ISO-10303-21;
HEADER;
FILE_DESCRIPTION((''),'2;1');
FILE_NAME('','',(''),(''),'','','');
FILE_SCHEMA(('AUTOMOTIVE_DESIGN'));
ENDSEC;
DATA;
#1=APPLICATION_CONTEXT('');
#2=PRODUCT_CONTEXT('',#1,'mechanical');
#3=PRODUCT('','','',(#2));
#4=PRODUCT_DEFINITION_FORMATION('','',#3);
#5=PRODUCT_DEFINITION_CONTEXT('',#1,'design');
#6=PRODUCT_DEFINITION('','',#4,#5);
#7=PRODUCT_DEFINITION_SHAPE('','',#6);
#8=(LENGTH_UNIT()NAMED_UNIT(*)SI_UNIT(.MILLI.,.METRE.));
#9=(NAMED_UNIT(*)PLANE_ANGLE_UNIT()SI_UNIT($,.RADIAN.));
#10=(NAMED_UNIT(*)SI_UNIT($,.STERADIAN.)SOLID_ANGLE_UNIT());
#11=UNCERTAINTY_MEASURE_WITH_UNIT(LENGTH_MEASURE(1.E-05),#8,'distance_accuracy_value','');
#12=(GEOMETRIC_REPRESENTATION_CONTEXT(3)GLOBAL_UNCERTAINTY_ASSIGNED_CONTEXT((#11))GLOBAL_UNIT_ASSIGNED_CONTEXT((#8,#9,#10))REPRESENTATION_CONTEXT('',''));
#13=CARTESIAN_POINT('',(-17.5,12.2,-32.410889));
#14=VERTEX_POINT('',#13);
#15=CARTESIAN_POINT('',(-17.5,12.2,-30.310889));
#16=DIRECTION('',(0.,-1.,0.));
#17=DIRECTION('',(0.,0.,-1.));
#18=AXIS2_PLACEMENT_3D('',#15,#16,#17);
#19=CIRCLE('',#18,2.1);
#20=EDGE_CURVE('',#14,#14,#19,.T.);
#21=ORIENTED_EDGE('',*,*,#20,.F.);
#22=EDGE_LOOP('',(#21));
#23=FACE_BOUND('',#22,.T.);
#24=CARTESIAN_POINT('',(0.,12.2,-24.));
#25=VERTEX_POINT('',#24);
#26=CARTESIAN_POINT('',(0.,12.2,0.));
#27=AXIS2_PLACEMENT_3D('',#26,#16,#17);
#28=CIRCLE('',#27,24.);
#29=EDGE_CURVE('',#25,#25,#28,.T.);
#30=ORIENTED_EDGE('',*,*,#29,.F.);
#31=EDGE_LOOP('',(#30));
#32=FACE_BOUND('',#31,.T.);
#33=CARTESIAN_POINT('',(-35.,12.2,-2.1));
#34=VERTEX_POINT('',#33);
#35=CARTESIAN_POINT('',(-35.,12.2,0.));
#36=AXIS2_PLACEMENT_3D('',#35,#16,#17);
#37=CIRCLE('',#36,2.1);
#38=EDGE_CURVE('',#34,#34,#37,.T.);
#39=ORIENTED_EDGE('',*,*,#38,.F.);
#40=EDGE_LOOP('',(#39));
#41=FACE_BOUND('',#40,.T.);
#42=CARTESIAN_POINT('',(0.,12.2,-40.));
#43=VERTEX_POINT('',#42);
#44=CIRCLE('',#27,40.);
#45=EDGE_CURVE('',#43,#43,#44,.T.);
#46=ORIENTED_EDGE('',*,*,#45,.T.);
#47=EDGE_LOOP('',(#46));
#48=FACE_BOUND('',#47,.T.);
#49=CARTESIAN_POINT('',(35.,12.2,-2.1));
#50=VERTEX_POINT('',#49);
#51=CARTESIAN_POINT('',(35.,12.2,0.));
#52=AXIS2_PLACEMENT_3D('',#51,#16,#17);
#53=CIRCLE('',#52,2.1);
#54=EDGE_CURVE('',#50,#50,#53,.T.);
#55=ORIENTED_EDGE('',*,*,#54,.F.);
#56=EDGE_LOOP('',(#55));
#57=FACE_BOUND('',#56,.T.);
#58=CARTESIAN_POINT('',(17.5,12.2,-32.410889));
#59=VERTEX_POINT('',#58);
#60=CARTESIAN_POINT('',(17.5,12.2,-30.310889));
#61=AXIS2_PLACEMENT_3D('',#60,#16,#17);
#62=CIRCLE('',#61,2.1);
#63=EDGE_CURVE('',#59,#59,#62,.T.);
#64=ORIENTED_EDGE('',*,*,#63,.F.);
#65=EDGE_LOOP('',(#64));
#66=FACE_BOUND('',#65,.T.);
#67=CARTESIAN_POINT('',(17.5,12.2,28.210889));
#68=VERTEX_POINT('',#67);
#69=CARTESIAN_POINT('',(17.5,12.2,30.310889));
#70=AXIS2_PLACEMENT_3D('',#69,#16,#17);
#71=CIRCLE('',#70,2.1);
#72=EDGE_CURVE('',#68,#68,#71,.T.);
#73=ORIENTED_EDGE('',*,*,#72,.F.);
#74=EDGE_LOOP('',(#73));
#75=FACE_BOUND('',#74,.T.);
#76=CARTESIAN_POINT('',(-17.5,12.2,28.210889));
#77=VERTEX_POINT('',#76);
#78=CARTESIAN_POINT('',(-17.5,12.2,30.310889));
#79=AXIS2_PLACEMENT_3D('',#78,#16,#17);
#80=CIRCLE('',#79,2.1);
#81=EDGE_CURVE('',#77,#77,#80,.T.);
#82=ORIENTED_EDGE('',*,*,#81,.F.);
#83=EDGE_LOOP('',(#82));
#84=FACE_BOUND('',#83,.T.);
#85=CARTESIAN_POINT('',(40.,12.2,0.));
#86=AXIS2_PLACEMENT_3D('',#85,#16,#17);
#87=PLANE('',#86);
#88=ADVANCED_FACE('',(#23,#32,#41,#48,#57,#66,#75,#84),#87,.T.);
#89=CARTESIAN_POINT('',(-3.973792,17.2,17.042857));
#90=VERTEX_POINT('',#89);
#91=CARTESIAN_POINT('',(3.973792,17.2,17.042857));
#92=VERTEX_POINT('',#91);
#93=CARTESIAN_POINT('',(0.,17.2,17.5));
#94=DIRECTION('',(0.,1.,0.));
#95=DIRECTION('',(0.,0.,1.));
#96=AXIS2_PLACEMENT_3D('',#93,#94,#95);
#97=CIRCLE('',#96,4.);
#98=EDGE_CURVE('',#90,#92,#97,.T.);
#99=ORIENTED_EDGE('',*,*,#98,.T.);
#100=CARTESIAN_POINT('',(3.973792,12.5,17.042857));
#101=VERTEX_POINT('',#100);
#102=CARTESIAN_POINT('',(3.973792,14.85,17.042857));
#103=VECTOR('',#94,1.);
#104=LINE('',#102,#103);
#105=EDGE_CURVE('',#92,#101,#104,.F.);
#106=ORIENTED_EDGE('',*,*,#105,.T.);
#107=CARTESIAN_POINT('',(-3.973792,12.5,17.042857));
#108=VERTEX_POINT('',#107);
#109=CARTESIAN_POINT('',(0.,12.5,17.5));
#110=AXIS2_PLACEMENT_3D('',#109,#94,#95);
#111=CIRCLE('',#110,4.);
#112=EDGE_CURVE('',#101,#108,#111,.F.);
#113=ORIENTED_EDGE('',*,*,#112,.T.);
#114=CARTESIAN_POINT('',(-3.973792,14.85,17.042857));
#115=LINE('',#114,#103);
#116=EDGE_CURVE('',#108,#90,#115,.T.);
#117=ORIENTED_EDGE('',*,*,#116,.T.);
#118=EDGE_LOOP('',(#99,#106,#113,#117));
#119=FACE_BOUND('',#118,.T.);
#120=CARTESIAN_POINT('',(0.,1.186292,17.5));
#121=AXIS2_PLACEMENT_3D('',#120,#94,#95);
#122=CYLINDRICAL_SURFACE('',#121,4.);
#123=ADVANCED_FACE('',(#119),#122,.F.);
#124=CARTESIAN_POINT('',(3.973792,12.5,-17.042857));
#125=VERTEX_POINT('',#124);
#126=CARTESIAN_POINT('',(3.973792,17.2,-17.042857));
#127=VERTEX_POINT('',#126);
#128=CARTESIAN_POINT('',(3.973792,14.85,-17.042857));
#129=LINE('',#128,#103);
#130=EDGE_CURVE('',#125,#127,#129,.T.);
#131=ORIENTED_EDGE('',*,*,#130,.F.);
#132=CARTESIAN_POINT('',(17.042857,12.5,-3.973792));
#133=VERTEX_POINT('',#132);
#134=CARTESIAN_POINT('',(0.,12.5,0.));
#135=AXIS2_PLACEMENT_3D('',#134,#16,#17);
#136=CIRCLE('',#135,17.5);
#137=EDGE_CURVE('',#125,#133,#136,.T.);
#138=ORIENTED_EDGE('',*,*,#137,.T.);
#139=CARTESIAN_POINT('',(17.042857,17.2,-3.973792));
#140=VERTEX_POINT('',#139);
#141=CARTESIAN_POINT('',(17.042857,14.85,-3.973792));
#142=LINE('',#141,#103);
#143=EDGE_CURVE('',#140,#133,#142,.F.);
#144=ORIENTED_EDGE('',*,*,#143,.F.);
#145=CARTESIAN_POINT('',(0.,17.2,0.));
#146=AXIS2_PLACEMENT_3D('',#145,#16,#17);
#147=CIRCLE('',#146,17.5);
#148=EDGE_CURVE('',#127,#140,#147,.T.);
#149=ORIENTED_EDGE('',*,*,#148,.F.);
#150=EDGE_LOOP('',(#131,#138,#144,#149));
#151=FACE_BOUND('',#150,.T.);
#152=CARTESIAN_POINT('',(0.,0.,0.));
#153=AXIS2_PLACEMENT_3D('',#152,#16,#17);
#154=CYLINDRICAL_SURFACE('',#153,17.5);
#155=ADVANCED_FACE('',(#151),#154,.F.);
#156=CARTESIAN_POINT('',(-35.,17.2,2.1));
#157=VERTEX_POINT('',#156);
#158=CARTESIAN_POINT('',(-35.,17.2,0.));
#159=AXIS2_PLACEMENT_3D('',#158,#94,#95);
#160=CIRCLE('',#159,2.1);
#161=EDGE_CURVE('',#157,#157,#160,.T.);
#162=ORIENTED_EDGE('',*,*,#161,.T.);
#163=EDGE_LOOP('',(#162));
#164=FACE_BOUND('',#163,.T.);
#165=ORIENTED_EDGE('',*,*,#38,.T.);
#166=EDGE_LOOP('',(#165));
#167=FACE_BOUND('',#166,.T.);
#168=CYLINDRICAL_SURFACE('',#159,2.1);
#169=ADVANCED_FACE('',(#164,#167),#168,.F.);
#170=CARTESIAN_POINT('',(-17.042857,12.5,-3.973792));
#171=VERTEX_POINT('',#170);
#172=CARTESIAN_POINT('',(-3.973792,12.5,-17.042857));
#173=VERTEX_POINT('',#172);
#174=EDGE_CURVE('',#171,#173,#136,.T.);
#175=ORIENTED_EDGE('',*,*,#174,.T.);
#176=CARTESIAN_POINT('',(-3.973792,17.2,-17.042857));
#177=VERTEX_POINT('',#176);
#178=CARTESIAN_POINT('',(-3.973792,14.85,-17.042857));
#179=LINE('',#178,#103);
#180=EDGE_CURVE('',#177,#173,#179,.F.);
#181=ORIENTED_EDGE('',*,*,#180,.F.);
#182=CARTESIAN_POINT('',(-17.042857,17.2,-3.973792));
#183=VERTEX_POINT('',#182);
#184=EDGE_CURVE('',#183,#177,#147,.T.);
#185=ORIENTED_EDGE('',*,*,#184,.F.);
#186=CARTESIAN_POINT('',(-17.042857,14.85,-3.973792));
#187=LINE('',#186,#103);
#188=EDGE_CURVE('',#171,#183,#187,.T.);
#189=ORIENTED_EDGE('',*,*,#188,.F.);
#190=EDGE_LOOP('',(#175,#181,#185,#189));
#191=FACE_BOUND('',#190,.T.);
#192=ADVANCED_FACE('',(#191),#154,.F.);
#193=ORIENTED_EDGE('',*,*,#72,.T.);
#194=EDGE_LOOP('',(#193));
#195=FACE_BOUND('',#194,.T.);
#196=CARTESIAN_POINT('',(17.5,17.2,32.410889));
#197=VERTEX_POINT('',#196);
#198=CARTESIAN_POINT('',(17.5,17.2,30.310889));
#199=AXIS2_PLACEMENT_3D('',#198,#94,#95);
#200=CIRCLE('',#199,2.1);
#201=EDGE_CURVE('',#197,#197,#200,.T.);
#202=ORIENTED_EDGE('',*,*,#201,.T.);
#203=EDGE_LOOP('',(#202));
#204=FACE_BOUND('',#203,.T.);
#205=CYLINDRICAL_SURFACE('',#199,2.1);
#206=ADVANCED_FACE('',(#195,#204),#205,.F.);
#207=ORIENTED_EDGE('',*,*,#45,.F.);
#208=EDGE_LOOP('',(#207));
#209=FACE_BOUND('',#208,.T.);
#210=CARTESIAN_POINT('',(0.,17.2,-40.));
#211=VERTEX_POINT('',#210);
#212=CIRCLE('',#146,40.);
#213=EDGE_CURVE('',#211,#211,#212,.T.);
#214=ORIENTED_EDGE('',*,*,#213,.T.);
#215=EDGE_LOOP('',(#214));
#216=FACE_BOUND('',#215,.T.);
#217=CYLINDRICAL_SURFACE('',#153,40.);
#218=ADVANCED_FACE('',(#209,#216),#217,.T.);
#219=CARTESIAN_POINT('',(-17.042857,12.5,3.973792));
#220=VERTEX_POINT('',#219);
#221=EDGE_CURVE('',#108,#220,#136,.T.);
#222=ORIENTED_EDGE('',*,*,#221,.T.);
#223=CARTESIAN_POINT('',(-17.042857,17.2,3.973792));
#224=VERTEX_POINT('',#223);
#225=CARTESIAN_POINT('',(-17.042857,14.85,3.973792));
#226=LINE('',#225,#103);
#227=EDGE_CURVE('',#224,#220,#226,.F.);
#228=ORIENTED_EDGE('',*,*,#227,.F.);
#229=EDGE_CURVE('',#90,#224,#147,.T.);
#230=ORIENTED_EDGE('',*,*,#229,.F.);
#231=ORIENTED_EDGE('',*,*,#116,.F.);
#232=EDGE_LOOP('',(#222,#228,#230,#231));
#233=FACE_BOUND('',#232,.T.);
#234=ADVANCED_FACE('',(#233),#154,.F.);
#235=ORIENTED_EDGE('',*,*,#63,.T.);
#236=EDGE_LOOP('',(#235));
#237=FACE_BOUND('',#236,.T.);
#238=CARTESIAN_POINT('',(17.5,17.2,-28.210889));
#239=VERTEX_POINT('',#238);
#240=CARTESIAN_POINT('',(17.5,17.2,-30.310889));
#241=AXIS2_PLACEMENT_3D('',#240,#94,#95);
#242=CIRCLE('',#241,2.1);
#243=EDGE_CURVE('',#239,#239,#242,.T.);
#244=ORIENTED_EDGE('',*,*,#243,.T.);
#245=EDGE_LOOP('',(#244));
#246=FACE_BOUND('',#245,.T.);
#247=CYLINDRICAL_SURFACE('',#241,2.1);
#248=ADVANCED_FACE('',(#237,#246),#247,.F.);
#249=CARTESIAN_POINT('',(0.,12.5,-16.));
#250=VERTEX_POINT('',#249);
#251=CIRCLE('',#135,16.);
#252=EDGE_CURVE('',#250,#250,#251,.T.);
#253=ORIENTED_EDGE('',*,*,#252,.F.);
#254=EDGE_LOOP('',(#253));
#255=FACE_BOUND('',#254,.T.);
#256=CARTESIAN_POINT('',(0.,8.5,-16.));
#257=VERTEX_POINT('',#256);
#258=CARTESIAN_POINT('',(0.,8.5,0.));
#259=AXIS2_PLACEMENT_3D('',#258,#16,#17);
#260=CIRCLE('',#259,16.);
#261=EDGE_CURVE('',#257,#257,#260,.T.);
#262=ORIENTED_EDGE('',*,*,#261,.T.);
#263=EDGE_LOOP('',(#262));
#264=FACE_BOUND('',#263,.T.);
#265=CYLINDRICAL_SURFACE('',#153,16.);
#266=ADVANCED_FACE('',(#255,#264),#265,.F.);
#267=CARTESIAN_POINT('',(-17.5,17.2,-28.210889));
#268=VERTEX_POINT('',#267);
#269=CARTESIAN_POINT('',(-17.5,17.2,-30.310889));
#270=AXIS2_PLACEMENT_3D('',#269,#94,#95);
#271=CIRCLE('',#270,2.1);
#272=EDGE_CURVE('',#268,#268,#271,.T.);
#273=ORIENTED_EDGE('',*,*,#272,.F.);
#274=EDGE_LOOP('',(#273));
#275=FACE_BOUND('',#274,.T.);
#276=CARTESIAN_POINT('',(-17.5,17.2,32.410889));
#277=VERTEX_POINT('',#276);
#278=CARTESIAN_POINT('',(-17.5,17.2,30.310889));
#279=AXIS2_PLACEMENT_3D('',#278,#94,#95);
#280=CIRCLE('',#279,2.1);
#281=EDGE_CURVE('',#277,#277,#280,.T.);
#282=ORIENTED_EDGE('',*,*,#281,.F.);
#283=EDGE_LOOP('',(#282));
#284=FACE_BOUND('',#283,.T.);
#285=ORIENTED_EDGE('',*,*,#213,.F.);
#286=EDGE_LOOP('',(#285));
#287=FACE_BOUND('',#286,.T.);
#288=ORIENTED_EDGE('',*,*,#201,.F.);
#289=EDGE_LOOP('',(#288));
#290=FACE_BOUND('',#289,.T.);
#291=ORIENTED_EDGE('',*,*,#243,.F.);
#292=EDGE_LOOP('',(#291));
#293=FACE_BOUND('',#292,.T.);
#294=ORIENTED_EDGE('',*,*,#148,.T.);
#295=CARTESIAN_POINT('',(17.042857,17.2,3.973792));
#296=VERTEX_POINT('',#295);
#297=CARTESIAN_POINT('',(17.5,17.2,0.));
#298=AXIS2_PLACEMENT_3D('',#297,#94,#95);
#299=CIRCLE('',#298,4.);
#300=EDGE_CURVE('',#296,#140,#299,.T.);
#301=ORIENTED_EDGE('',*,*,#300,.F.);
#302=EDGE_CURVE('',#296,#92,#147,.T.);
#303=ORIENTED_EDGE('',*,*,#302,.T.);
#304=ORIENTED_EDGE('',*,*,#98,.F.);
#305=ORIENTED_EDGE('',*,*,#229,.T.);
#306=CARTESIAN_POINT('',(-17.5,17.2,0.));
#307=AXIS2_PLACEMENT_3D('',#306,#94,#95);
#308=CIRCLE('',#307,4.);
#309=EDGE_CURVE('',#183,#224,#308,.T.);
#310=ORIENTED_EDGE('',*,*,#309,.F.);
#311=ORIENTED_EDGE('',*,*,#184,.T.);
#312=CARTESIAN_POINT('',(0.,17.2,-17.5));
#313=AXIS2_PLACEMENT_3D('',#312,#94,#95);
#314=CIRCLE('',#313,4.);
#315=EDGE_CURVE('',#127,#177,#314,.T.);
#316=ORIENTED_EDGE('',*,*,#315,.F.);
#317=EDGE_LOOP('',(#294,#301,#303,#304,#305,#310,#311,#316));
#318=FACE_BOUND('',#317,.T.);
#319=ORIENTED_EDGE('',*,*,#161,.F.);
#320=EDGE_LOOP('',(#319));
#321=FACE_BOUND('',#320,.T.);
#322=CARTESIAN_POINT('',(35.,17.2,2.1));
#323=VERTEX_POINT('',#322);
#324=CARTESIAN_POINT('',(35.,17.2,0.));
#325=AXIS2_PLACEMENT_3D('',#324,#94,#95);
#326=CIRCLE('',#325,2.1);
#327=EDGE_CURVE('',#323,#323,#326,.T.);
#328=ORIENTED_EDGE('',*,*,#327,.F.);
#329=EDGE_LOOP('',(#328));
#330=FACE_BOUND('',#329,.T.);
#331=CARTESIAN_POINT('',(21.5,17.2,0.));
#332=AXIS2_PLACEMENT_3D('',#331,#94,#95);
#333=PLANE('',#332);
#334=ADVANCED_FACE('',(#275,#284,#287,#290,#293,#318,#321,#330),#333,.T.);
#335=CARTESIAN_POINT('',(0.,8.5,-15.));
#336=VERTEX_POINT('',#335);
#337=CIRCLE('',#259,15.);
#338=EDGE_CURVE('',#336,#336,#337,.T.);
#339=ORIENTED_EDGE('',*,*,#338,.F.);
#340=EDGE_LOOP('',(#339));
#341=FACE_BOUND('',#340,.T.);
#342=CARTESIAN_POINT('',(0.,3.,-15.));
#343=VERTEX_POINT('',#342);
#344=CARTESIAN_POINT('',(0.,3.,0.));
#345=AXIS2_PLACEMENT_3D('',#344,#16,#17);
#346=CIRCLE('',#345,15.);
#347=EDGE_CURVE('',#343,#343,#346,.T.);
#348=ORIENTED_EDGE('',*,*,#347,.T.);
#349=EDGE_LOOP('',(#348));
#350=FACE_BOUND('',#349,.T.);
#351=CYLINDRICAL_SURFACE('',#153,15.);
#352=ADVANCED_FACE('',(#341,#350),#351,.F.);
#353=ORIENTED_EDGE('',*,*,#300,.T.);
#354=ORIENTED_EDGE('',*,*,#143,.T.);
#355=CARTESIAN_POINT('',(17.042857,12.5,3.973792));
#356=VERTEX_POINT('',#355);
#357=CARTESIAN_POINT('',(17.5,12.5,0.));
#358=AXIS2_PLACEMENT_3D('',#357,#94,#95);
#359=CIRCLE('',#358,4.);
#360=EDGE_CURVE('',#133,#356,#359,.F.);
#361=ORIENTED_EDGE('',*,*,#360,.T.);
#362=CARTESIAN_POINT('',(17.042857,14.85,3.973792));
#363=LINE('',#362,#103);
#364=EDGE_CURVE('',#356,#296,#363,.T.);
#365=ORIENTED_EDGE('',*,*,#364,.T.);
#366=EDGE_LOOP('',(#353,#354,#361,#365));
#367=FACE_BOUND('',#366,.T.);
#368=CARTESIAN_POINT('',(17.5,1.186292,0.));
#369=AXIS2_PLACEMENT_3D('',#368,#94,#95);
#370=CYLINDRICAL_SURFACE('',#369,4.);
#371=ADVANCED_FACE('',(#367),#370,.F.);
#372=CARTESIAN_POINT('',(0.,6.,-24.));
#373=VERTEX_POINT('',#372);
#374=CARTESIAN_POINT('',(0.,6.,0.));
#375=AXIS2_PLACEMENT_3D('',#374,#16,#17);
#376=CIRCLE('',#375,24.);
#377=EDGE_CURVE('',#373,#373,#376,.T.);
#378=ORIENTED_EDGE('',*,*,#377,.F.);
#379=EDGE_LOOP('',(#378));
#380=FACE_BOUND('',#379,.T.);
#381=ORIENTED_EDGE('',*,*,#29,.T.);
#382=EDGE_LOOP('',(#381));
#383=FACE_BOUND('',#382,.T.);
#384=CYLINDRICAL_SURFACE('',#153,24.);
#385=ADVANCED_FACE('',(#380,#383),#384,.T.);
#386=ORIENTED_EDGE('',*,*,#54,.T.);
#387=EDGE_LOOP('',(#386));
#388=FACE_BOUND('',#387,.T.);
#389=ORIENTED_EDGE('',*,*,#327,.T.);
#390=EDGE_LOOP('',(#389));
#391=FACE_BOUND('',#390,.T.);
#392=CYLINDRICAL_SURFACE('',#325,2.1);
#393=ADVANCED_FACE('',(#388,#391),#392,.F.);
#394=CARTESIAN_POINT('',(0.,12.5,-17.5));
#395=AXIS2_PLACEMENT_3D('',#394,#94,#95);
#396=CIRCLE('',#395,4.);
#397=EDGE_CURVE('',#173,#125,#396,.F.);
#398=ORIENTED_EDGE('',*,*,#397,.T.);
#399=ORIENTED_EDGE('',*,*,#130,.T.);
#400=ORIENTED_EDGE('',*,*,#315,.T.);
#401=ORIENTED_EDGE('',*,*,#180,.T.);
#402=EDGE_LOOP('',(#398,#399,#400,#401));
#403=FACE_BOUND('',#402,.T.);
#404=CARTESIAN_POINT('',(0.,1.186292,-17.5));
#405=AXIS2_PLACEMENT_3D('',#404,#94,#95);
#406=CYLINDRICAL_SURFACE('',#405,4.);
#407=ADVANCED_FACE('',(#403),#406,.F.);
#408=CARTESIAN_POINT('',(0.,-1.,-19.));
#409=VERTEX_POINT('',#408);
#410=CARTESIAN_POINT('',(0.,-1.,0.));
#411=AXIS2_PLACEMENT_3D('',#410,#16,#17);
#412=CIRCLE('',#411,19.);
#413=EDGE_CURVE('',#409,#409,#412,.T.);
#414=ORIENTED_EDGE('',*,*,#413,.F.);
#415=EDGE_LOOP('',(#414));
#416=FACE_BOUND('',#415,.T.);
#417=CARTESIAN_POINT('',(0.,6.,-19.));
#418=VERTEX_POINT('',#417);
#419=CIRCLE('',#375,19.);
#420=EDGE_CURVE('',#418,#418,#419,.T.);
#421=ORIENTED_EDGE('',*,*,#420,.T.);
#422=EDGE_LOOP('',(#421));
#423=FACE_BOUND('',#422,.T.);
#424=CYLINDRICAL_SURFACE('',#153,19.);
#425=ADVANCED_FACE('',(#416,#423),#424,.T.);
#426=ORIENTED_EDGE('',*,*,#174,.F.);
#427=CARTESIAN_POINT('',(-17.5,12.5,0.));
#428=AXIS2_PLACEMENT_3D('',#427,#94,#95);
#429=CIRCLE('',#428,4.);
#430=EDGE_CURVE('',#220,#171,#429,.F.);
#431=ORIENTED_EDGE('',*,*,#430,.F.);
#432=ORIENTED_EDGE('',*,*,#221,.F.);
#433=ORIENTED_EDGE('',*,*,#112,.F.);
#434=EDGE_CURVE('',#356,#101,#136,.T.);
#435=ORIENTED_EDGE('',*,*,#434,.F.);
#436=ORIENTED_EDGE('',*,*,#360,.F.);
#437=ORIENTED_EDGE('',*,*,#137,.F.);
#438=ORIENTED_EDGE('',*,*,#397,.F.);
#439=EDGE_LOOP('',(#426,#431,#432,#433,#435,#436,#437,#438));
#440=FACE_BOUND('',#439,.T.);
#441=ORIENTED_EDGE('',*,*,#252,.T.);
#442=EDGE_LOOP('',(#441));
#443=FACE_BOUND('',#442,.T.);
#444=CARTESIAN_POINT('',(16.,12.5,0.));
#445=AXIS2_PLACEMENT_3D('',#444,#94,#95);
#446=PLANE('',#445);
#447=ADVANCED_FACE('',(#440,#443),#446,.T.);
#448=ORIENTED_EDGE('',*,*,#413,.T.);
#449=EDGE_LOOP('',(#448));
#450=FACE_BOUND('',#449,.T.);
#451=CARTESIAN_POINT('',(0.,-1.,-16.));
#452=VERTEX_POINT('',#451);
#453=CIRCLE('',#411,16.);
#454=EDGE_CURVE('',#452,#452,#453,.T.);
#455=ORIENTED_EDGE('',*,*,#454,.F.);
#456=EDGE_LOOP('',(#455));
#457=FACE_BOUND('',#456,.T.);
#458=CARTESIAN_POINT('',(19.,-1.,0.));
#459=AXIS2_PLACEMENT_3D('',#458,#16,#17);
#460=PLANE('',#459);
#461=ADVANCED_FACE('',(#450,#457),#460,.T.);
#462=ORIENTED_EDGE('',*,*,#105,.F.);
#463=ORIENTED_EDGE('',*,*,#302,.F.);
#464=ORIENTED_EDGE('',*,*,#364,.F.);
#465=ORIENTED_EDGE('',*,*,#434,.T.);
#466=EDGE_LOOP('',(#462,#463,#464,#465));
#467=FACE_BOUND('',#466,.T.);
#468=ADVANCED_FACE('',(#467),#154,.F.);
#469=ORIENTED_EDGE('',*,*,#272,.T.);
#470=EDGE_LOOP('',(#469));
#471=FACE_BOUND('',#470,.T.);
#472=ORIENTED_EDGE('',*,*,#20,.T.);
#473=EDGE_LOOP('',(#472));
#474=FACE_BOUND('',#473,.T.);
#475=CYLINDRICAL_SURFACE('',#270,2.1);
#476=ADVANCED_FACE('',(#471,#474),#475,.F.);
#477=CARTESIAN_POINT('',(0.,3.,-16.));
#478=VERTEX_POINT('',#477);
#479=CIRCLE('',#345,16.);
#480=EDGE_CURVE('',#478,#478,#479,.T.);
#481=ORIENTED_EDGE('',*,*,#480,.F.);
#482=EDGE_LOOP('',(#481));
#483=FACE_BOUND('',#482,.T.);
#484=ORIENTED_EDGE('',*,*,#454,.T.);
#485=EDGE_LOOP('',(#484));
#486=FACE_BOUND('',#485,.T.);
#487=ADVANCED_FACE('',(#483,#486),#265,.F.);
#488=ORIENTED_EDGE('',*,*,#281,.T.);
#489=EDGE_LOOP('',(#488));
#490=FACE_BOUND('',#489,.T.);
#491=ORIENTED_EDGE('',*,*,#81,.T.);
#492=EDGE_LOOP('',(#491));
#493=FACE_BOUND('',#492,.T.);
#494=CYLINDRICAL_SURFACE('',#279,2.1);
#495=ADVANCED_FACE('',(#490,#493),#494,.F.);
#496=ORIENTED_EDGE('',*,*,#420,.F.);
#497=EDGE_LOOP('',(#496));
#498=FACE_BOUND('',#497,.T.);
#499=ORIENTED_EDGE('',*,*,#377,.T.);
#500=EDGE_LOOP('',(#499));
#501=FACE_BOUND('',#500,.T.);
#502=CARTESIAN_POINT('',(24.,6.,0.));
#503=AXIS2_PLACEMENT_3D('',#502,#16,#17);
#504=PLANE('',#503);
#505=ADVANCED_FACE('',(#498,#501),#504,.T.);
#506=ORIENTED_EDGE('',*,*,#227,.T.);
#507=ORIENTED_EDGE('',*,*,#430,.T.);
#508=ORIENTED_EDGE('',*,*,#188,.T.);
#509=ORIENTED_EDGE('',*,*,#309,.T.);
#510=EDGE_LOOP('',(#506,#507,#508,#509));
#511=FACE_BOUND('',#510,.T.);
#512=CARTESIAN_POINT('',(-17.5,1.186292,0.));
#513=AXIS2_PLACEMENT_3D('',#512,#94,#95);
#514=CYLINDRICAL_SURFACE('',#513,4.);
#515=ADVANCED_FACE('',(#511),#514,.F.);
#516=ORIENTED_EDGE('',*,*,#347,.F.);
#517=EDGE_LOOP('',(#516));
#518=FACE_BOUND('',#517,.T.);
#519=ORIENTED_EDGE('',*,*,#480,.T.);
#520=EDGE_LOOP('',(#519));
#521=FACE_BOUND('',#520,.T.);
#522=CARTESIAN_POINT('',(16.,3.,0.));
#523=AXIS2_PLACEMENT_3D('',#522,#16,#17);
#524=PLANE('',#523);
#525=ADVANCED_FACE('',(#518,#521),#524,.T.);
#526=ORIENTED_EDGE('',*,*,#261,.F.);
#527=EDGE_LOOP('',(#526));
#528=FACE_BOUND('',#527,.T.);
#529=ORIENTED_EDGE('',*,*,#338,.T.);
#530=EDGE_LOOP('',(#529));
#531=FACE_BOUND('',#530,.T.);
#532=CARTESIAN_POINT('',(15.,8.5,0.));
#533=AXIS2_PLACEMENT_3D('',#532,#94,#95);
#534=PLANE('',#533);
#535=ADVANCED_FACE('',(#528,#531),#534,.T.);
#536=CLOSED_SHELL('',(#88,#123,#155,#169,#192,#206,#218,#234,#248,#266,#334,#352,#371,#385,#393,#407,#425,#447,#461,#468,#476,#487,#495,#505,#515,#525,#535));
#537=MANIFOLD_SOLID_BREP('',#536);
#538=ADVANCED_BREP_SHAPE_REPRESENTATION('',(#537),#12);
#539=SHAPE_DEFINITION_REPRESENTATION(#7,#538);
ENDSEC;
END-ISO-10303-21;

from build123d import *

# Parameters (mm, degrees)
SKETCH_4_R          = 4
CUT_EXTRUDE_1_DEPTH = 4.7
HOLE_WIZARD_M5_1_D  = 4.2


with BuildPart() as part:
    # 草图1 → 旋转1 (revolve)
    with BuildSketch(Plane.XY, mode=Mode.PRIVATE) as revolve_1_sk:
        Polygon((24, 12.2), (24, 6), (19, 6), (19, 0), (19, -1), (16, -1), (16, 0), (16, 3), (15, 3), (15, 8.5), (16, 8.5), (16, 12.5), (17.5, 12.5), (17.5, 17.2), (21.5, 17.2), (40, 17.2), (40, 12.2), align=None)
    revolve(revolve_1_sk.sketch.rotate(Axis((0, 0, 0), (0, 1, 0)), 90), axis=Axis((0, 0, 0), (0, 1, 0)))

    # 草图4 → 切除-拉伸1 (cut)
    with BuildSketch(Plane(origin=(0, 17.2, 0), x_dir=(1, 0, 0), z_dir=(0, 1, 0))):
        with Locations((0, -17.5)):
            Circle(SKETCH_4_R)
        with Locations((17.5, 0)):
            Circle(SKETCH_4_R)
        with Locations((0, 17.5)):
            Circle(SKETCH_4_R)
        with Locations((-17.5, 0)):
            Circle(SKETCH_4_R)
    extrude(amount=-CUT_EXTRUDE_1_DEPTH, mode=Mode.SUBTRACT)

    # M5 螺纹孔1 (through all)
    with Locations(Plane(origin=(17.5, 17.2, -30.310889132), x_dir=(0, 0, 1), z_dir=(0, 1, 0))):
        with Locations((0, 0), (30.310889132, 17.5), (60.621778264, 0), (60.621778264, -35), (30.310889132, -52.5), (0, -35)):
            Hole(HOLE_WIZARD_M5_1_D / 2)


solid = part.part
